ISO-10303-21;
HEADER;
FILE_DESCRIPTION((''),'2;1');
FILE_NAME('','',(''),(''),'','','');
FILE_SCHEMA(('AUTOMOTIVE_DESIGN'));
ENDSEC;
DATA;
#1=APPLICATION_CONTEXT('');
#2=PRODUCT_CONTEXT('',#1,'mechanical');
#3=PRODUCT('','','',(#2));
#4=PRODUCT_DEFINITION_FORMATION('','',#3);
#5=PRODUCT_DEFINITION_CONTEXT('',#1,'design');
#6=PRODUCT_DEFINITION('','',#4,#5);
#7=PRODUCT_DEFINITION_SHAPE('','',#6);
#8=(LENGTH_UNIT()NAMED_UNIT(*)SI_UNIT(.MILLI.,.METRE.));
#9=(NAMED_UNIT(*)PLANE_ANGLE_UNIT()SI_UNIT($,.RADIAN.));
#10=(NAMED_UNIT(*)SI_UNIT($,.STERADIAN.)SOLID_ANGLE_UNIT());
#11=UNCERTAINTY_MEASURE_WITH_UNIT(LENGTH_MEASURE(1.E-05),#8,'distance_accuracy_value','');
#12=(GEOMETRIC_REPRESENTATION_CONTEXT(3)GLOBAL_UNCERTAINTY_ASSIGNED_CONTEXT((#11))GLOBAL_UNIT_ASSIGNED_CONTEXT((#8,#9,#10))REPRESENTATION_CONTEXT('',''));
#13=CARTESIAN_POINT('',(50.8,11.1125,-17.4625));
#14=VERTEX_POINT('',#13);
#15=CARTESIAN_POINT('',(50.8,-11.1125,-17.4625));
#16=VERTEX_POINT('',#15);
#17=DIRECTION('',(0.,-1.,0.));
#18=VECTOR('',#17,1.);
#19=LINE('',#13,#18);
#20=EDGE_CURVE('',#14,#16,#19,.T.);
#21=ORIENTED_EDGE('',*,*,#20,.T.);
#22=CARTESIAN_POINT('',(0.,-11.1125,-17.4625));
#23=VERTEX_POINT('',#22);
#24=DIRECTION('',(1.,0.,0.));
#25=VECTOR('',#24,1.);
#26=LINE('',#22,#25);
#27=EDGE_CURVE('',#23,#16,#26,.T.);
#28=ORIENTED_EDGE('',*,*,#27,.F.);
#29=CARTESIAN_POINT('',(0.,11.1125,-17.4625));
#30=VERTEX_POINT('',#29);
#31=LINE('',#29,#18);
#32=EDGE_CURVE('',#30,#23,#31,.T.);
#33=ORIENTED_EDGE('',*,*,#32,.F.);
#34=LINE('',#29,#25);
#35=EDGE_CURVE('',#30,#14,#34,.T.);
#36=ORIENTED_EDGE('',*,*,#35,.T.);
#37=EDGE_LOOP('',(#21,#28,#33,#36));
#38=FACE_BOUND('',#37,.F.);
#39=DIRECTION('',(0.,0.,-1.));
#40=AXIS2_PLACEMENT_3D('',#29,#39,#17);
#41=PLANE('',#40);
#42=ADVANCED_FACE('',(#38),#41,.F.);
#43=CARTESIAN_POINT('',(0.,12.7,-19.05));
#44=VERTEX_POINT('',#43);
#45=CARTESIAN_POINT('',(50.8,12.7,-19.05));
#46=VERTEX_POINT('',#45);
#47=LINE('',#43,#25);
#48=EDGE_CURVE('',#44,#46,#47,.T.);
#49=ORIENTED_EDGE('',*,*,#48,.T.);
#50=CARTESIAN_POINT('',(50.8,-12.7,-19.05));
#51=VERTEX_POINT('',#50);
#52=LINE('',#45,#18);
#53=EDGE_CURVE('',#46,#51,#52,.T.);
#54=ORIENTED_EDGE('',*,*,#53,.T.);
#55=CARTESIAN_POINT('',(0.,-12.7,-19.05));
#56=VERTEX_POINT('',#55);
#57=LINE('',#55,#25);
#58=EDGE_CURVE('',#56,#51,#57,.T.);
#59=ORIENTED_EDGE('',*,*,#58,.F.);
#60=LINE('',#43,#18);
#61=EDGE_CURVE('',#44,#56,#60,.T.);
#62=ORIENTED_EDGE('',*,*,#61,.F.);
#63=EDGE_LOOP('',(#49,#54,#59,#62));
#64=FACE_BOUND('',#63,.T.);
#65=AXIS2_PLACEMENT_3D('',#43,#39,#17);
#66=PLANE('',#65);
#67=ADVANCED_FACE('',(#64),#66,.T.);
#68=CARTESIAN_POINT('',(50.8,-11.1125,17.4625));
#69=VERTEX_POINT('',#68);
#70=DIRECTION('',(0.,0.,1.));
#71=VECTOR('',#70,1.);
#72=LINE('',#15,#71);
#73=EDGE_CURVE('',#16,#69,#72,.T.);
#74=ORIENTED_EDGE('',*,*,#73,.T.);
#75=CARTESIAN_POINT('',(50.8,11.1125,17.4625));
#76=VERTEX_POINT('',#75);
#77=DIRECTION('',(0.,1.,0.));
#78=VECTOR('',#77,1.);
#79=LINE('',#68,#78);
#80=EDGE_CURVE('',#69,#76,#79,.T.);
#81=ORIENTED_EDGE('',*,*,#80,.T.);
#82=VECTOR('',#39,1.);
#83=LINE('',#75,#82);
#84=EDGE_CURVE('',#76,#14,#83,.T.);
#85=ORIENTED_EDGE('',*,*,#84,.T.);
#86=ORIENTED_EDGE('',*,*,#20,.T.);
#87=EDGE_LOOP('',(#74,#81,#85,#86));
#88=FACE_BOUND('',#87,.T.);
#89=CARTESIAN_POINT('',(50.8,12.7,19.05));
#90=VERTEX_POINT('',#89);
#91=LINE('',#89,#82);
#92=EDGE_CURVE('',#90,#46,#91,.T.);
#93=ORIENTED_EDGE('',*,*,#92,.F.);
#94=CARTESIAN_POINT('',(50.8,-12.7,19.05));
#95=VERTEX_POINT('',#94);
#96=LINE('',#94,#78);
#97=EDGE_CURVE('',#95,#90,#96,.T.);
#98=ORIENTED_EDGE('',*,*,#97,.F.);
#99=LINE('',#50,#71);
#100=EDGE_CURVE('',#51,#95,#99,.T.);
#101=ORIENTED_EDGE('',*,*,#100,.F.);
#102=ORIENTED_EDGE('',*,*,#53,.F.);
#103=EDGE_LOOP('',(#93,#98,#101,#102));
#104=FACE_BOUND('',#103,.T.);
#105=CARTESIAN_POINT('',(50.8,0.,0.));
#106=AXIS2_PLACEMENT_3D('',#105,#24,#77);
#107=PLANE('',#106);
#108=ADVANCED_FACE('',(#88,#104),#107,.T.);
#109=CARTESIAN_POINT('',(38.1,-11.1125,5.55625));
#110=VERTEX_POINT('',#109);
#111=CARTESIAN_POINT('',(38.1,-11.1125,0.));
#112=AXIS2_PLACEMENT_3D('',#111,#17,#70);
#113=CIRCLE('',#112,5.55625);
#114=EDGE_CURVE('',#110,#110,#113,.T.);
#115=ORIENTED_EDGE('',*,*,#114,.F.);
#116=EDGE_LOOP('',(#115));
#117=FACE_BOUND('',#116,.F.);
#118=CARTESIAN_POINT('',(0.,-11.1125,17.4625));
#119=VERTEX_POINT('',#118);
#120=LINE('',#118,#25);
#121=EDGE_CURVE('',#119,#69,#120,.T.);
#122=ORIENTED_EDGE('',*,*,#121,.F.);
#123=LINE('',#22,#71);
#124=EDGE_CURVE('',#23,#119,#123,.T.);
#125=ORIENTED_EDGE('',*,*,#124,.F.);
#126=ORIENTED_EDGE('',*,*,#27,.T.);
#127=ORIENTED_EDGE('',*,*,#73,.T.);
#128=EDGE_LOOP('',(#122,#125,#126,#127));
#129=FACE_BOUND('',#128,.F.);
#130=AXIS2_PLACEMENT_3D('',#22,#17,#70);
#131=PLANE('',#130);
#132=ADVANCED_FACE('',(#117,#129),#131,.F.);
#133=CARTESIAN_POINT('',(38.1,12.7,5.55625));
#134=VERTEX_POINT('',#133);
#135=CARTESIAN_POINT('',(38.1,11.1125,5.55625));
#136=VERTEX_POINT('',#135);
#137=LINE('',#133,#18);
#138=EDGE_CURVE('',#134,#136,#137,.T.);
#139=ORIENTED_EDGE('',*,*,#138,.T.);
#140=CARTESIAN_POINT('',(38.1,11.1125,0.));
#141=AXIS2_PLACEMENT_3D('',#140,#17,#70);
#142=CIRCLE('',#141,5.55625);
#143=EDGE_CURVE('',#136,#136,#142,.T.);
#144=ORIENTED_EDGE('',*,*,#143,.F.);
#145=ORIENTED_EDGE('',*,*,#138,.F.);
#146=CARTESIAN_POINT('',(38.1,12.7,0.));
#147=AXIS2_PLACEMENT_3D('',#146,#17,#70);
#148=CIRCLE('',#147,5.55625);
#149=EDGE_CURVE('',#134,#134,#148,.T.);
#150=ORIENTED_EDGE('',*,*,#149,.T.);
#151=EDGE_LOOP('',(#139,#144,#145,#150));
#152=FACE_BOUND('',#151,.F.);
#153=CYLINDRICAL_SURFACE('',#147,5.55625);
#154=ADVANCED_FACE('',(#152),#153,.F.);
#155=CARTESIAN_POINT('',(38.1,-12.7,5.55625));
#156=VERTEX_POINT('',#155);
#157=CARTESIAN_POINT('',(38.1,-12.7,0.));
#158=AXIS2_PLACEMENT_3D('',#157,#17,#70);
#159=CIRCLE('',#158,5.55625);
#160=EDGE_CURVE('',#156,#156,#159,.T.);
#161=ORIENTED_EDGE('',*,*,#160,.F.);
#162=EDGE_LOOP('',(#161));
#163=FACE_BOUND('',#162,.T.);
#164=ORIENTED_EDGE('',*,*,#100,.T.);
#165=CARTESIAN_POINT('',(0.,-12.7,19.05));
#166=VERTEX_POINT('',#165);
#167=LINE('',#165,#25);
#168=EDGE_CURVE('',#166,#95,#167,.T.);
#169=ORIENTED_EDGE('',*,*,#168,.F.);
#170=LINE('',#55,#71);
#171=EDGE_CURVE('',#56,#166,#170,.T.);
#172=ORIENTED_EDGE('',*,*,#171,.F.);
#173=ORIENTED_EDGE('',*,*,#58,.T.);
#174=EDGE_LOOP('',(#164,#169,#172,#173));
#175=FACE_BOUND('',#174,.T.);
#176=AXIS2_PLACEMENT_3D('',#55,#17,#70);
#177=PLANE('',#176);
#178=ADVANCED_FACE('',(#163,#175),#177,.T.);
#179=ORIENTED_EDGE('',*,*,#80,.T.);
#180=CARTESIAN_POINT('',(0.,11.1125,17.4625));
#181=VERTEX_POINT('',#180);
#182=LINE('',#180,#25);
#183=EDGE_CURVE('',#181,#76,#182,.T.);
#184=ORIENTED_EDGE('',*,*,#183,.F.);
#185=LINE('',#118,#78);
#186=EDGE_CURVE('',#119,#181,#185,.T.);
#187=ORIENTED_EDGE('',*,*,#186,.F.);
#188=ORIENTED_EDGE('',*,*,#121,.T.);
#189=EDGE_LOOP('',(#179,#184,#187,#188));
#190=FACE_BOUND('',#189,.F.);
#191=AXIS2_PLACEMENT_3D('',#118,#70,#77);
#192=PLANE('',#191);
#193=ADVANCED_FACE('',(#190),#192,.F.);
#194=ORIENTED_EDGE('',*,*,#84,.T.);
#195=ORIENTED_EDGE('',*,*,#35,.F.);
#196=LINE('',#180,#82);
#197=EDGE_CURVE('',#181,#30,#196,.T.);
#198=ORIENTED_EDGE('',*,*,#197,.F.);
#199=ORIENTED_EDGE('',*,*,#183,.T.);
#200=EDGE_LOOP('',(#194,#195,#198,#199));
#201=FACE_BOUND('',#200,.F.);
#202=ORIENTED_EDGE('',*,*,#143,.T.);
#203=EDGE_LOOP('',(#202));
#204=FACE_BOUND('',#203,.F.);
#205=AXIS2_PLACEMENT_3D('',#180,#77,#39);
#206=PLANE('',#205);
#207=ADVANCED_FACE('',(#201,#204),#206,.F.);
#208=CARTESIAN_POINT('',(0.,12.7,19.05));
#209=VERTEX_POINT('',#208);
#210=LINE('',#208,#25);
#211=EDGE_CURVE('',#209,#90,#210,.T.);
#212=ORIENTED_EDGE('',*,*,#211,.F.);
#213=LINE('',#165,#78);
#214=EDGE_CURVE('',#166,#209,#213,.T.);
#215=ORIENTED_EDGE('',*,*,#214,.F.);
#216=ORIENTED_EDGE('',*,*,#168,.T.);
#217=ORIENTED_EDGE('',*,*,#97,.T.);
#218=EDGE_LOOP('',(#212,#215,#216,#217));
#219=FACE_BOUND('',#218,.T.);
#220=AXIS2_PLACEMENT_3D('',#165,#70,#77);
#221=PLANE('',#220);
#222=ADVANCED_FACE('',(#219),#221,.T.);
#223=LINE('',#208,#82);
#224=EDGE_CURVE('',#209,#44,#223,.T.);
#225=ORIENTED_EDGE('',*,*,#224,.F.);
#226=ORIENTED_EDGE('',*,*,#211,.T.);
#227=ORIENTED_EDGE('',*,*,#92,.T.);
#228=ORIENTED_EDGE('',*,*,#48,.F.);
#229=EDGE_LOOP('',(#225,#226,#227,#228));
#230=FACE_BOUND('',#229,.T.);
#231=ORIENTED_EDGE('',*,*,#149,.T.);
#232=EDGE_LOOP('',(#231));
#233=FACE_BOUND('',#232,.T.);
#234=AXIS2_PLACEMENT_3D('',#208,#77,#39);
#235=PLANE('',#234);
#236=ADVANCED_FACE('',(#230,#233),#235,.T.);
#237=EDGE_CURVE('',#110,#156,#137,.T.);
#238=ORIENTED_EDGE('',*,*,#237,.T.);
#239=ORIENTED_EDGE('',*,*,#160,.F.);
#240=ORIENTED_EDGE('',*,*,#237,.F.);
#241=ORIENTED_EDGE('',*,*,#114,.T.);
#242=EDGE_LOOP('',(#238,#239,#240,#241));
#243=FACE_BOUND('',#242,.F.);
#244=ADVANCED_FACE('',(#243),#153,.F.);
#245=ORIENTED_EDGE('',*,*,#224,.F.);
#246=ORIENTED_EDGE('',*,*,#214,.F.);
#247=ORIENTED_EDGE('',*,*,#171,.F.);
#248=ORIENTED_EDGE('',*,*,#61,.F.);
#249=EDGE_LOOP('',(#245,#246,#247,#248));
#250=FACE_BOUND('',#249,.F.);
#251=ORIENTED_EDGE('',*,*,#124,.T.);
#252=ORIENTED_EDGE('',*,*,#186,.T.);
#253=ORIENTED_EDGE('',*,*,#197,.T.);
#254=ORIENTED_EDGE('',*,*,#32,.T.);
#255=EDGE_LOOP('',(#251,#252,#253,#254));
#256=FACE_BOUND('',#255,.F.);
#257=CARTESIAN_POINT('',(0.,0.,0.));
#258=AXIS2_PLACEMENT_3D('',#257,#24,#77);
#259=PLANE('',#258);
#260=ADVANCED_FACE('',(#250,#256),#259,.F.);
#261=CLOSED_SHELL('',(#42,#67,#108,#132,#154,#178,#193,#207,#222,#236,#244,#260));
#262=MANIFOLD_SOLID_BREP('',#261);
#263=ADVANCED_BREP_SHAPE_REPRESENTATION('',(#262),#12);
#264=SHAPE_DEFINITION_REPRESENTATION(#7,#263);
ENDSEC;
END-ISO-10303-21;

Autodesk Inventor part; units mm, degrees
ref_plane "Work Plane3" through (0, 12.7, 0) normal (0, 1, 0) x (-1, 0, 0)
ref_plane "Start Plane" through (0, 0, 0) normal (1, 0, 0) x (0, 1, 0)
ref_plane "End Plane" through (50.8, 0, 0) normal (1, 0, 0) x (0, 1, 0)
sketch "Sketch" plane through (0, 0, 0) normal (1, 0, 0) x (0, 1, 0)
  line L0 (-12.7, 19.05) -> (12.7, 19.05)
  line L1 (12.7, 19.05) -> (12.7, -19.05)
  line L2 (12.7, -19.05) -> (-12.7, -19.05)
  line L3 (-12.7, -19.05) -> (-12.7, 19.05)
  line L4 (-12.7, 19.05) -> (12.7, -19.05) construction
  line L5 (12.7, 19.05) -> (-12.7, -19.05) construction
  line L6 (-11.1125, 17.4625) -> (11.1125, 17.4625)
  line L7 (11.1125, 17.4625) -> (11.1125, -17.4625)
  line L8 (11.1125, -17.4625) -> (-11.1125, -17.4625)
  line L9 (-11.1125, -17.4625) -> (-11.1125, 17.4625)
  line L10 (-11.1125, 17.4625) -> (11.1125, -17.4625) construction
  line L11 (11.1125, 17.4625) -> (-11.1125, -17.4625) construction
  point P0 (0, 0)
  dimension "d0" = 38.1
  dimension "d1" = 25.4
  dimension "d2" = 1.5875
  dimension "d3" = 1.5875
extrude "Body" add sketch "Sketch" along normal up to surface (50.8 mm away) from surface at 0
sketch "Sketch8" plane through (0, 0, 0) normal (1, 0, 0) x (0, 1, 0)
  line L0 (0, 0) -> (10, 0)
ref_plane "Work Plane6" through (0, 0, 0) normal (0, 0, -1) x (0, 1, 0)
sketch "Sketch9" plane through (0, 0, 0) normal (0, 0, -1) x (0, 1, 0)
  line L0 (-17.78, 0) -> (17.78, 0)
  line L1 (-17.78, 50.8) -> (17.78, 50.8)
  dimension "d21" = 50.8
sketch "Sketch5" plane through (0, 12.7, -19.05) normal (0, 1, 0) x (1, 0, 0)
  line L0 (0, -38.1) -> (0, 0) projected
  point P0 (0, -19.05)
  point P1 (38.1, -19.05)
  dimension "d22" = 38.1
hole "Hole2" at (38.1, 12.7, 0) direction (0, -1, 0) diameter 11.1125 end through all
equation "\"d3\" = d2"
equation "\"G_OFFSET_START\" = 0"
equation "\"G_OFFSET_END\" = 0"
equation "\"d17\" = d4 + G_OFFSET_END"
equation "\"G_L\" = d21"
equation "\"d4\" = 50.8"
properties part number "1605682955291"
